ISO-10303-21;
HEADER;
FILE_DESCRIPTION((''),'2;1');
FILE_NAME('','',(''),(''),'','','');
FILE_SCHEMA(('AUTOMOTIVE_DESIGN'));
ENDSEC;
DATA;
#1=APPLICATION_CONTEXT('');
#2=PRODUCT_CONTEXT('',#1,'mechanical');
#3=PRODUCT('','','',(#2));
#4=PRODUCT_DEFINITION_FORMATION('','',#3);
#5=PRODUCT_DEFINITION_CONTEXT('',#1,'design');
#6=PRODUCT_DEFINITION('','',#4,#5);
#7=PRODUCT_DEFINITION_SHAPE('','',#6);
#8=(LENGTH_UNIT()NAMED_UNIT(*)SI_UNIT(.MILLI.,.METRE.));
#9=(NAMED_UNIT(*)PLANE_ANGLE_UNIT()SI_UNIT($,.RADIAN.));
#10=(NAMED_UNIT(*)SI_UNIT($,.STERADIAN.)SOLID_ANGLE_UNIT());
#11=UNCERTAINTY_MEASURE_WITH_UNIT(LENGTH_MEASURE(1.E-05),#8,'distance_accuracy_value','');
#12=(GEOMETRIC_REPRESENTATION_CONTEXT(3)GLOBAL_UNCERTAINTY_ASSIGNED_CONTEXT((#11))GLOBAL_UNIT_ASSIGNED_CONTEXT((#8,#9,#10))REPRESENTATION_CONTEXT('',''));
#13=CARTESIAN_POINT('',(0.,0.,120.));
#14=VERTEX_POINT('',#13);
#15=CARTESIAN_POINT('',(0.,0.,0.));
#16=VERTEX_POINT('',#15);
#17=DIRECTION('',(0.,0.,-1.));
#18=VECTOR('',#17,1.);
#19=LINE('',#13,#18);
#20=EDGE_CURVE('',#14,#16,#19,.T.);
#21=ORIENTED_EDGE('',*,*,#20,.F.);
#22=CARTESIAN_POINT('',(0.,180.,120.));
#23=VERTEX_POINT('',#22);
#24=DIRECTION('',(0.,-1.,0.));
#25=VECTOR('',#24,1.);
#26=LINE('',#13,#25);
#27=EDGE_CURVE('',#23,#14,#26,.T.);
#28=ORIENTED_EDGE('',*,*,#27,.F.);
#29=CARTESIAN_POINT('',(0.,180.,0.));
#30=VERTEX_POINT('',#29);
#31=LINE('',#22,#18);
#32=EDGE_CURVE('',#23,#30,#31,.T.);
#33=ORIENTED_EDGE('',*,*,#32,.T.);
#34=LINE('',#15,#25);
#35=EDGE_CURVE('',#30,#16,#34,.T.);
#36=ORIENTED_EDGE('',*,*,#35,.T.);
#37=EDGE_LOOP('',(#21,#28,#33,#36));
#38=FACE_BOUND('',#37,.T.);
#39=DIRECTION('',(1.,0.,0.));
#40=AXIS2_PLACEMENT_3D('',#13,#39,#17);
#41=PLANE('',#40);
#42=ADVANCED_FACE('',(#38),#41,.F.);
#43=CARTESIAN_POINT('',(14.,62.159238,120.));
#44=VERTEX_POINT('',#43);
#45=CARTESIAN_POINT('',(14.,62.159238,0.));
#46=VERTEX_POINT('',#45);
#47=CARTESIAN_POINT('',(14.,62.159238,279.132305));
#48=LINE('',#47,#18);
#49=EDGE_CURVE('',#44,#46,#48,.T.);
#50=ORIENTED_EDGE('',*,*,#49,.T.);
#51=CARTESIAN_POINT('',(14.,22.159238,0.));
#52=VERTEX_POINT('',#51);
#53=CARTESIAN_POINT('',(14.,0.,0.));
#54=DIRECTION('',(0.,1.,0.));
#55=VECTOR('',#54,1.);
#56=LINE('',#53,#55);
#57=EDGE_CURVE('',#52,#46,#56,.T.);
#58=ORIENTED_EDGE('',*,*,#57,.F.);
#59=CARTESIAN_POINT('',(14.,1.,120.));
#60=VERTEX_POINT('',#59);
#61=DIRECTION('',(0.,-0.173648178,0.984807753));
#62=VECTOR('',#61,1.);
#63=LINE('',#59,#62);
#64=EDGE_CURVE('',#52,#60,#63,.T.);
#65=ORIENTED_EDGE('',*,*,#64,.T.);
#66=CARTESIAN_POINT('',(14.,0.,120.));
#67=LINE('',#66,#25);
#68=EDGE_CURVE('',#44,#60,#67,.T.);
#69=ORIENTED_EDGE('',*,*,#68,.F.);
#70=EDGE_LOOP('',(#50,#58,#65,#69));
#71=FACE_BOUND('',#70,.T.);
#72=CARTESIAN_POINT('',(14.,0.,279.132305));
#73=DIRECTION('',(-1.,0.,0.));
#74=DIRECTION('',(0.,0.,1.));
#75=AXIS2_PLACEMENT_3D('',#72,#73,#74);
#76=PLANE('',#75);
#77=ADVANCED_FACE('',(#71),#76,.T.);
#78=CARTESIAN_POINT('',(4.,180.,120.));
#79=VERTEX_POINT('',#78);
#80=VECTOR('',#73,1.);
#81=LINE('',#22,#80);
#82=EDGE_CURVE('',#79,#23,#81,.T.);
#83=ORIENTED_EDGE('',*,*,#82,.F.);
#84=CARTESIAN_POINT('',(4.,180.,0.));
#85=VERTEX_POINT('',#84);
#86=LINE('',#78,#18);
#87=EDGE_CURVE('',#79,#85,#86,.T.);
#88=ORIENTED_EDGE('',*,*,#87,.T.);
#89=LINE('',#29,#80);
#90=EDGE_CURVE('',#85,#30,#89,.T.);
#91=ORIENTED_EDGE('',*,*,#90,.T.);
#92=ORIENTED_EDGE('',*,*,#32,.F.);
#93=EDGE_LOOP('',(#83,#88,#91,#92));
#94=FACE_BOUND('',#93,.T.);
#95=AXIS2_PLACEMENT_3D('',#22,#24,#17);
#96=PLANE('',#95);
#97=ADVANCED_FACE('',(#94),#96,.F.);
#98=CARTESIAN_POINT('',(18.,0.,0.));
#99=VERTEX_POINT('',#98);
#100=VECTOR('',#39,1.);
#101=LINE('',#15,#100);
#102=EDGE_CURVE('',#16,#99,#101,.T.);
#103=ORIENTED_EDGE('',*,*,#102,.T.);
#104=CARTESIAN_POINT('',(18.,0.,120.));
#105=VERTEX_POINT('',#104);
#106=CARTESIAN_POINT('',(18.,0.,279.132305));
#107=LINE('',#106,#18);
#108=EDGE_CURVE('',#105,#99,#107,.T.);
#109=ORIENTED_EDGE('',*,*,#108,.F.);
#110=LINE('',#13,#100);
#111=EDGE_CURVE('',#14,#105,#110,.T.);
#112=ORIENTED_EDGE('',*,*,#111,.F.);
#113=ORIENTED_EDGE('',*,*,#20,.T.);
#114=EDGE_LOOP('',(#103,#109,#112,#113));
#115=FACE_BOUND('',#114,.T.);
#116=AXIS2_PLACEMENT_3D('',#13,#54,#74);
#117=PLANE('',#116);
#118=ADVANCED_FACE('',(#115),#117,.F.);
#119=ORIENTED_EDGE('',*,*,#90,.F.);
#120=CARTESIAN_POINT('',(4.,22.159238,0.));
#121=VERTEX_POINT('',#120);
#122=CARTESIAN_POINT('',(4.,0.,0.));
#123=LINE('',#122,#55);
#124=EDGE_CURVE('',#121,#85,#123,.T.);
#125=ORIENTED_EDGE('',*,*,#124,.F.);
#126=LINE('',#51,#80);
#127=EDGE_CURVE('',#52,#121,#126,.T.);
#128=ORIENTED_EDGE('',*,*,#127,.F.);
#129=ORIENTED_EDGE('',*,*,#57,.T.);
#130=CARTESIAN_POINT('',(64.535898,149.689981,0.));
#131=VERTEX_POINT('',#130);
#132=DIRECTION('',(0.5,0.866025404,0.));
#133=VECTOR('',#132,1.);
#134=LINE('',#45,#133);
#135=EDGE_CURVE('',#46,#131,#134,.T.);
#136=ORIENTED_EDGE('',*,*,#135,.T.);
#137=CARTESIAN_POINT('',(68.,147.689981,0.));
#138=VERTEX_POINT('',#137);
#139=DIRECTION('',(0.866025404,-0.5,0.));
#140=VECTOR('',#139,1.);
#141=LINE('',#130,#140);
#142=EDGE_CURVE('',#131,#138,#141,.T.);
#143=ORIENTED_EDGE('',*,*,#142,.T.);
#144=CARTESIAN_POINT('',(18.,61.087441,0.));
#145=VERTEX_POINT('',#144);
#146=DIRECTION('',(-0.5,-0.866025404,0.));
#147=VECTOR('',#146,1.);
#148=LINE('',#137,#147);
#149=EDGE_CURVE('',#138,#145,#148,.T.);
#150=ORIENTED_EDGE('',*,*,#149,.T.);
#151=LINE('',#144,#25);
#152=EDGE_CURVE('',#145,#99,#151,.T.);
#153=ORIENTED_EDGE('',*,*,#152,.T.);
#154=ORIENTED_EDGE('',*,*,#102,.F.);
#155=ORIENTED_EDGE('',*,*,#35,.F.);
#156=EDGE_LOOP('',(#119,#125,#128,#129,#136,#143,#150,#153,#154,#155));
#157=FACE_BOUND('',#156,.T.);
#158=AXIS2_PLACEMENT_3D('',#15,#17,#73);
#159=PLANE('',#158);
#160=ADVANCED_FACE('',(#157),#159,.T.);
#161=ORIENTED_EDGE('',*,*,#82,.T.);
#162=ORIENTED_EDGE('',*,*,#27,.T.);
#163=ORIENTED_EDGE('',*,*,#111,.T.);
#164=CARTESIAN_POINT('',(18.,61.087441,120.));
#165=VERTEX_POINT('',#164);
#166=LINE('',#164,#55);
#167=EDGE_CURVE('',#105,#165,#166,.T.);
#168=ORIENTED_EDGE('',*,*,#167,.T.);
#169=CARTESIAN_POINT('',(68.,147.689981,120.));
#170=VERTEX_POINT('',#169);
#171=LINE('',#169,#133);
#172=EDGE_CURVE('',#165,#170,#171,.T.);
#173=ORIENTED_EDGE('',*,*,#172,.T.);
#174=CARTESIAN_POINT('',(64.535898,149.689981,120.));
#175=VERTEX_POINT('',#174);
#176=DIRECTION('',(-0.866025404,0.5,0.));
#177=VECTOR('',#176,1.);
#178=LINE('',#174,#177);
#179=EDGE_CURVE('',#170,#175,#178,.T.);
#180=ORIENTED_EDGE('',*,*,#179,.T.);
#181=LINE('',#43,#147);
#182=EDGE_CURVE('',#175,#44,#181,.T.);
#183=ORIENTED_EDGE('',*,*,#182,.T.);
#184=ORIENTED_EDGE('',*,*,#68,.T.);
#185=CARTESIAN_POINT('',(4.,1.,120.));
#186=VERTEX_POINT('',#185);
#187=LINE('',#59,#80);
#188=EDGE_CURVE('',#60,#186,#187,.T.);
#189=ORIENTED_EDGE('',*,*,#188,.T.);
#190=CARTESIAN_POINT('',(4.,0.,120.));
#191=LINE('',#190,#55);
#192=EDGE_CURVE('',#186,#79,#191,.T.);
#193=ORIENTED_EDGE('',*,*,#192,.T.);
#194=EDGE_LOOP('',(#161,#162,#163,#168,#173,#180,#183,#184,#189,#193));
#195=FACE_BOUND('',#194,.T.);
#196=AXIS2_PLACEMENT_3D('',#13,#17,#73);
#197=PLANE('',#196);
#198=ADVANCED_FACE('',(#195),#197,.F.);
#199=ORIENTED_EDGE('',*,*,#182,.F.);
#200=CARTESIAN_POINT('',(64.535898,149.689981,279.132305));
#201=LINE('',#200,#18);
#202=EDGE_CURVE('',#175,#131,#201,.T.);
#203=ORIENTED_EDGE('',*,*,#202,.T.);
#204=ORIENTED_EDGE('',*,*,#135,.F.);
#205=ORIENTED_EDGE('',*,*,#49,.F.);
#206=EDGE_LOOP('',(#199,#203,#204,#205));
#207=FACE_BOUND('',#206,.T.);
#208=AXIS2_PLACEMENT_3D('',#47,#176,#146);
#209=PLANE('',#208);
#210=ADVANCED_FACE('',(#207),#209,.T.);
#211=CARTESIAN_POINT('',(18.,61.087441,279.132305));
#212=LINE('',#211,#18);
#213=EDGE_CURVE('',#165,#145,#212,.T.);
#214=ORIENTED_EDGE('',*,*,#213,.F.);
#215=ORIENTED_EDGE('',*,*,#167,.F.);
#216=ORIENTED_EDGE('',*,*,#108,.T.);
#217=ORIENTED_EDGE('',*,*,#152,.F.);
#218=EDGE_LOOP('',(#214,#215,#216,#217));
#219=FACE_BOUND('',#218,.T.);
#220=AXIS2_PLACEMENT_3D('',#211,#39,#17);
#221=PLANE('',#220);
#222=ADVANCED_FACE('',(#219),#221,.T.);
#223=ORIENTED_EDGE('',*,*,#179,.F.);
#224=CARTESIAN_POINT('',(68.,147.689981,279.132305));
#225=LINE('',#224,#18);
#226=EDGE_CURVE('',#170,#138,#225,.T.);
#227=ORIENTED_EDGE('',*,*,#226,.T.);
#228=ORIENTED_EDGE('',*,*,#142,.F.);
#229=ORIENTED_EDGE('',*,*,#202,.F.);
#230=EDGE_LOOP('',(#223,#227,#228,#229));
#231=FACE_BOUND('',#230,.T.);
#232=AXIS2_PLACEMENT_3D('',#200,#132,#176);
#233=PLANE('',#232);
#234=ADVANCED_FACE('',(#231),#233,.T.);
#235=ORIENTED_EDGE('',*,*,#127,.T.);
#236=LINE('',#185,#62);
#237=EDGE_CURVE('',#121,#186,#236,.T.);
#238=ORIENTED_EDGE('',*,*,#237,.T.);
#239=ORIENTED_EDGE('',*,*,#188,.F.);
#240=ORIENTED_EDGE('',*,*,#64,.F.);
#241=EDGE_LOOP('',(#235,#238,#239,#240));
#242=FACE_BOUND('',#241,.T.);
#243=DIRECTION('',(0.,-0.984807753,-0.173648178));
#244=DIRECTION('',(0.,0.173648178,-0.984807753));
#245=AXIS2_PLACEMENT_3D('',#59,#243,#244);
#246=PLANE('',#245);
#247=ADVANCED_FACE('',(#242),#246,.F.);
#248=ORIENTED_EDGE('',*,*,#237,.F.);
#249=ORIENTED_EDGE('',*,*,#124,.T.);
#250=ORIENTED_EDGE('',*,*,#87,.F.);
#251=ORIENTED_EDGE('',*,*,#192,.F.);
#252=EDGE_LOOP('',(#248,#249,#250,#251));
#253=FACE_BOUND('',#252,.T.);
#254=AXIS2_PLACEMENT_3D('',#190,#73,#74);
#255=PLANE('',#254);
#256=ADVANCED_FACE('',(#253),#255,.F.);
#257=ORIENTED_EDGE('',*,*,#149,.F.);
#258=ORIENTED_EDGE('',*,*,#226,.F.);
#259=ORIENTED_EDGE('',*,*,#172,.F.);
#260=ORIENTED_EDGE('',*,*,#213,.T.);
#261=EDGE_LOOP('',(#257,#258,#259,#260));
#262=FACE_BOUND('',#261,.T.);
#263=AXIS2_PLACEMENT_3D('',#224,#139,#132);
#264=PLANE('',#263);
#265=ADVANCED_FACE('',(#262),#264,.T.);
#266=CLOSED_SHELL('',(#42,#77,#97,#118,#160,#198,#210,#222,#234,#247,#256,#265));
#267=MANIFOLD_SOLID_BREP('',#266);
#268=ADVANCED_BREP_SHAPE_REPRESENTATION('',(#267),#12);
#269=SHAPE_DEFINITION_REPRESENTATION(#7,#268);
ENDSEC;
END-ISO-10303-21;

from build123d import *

# Parameters (mm, degrees)
SKETCH1_W           = 4
SKETCH1_H           = 180
BOSS_EXTRUDE1_DEPTH = 120
BOSS_EXTRUDE2_DEPTH = 10
BOSS_EXTRUDE3_DEPTH = 120


with BuildPart() as part:
    # Sketch1 → Boss-Extrude1 (new body)
    with BuildSketch(Plane.XY):
        with Locations((2, 90)):
            Rectangle(SKETCH1_W, SKETCH1_H)
    extrude(amount=BOSS_EXTRUDE1_DEPTH)

    # Sketch2 → Boss-Extrude2 (add)
    with BuildSketch(Plane(origin=(4, 0, 0), x_dir=(0, 0, -1), z_dir=(1, 0, 0))):
        Polygon((-120, 0), (-120, 1), (0, 22.159237685), (0, 0), align=None)
    extrude(amount=BOSS_EXTRUDE2_DEPTH)

    # Sketch4 → Boss-Extrude3 (add)
    with BuildSketch(Plane(origin=(0, 0, 0), x_dir=(-1, 0, 0), z_dir=(0, 0, -1))):
        Polygon((-14, 0), (-14, 62.159237685), (-64.535898385, 149.689981294), (-68, 147.689981294), (-18, 61.087440915), (-18, 0), align=None)
    extrude(amount=-BOSS_EXTRUDE3_DEPTH)


solid = part.part
